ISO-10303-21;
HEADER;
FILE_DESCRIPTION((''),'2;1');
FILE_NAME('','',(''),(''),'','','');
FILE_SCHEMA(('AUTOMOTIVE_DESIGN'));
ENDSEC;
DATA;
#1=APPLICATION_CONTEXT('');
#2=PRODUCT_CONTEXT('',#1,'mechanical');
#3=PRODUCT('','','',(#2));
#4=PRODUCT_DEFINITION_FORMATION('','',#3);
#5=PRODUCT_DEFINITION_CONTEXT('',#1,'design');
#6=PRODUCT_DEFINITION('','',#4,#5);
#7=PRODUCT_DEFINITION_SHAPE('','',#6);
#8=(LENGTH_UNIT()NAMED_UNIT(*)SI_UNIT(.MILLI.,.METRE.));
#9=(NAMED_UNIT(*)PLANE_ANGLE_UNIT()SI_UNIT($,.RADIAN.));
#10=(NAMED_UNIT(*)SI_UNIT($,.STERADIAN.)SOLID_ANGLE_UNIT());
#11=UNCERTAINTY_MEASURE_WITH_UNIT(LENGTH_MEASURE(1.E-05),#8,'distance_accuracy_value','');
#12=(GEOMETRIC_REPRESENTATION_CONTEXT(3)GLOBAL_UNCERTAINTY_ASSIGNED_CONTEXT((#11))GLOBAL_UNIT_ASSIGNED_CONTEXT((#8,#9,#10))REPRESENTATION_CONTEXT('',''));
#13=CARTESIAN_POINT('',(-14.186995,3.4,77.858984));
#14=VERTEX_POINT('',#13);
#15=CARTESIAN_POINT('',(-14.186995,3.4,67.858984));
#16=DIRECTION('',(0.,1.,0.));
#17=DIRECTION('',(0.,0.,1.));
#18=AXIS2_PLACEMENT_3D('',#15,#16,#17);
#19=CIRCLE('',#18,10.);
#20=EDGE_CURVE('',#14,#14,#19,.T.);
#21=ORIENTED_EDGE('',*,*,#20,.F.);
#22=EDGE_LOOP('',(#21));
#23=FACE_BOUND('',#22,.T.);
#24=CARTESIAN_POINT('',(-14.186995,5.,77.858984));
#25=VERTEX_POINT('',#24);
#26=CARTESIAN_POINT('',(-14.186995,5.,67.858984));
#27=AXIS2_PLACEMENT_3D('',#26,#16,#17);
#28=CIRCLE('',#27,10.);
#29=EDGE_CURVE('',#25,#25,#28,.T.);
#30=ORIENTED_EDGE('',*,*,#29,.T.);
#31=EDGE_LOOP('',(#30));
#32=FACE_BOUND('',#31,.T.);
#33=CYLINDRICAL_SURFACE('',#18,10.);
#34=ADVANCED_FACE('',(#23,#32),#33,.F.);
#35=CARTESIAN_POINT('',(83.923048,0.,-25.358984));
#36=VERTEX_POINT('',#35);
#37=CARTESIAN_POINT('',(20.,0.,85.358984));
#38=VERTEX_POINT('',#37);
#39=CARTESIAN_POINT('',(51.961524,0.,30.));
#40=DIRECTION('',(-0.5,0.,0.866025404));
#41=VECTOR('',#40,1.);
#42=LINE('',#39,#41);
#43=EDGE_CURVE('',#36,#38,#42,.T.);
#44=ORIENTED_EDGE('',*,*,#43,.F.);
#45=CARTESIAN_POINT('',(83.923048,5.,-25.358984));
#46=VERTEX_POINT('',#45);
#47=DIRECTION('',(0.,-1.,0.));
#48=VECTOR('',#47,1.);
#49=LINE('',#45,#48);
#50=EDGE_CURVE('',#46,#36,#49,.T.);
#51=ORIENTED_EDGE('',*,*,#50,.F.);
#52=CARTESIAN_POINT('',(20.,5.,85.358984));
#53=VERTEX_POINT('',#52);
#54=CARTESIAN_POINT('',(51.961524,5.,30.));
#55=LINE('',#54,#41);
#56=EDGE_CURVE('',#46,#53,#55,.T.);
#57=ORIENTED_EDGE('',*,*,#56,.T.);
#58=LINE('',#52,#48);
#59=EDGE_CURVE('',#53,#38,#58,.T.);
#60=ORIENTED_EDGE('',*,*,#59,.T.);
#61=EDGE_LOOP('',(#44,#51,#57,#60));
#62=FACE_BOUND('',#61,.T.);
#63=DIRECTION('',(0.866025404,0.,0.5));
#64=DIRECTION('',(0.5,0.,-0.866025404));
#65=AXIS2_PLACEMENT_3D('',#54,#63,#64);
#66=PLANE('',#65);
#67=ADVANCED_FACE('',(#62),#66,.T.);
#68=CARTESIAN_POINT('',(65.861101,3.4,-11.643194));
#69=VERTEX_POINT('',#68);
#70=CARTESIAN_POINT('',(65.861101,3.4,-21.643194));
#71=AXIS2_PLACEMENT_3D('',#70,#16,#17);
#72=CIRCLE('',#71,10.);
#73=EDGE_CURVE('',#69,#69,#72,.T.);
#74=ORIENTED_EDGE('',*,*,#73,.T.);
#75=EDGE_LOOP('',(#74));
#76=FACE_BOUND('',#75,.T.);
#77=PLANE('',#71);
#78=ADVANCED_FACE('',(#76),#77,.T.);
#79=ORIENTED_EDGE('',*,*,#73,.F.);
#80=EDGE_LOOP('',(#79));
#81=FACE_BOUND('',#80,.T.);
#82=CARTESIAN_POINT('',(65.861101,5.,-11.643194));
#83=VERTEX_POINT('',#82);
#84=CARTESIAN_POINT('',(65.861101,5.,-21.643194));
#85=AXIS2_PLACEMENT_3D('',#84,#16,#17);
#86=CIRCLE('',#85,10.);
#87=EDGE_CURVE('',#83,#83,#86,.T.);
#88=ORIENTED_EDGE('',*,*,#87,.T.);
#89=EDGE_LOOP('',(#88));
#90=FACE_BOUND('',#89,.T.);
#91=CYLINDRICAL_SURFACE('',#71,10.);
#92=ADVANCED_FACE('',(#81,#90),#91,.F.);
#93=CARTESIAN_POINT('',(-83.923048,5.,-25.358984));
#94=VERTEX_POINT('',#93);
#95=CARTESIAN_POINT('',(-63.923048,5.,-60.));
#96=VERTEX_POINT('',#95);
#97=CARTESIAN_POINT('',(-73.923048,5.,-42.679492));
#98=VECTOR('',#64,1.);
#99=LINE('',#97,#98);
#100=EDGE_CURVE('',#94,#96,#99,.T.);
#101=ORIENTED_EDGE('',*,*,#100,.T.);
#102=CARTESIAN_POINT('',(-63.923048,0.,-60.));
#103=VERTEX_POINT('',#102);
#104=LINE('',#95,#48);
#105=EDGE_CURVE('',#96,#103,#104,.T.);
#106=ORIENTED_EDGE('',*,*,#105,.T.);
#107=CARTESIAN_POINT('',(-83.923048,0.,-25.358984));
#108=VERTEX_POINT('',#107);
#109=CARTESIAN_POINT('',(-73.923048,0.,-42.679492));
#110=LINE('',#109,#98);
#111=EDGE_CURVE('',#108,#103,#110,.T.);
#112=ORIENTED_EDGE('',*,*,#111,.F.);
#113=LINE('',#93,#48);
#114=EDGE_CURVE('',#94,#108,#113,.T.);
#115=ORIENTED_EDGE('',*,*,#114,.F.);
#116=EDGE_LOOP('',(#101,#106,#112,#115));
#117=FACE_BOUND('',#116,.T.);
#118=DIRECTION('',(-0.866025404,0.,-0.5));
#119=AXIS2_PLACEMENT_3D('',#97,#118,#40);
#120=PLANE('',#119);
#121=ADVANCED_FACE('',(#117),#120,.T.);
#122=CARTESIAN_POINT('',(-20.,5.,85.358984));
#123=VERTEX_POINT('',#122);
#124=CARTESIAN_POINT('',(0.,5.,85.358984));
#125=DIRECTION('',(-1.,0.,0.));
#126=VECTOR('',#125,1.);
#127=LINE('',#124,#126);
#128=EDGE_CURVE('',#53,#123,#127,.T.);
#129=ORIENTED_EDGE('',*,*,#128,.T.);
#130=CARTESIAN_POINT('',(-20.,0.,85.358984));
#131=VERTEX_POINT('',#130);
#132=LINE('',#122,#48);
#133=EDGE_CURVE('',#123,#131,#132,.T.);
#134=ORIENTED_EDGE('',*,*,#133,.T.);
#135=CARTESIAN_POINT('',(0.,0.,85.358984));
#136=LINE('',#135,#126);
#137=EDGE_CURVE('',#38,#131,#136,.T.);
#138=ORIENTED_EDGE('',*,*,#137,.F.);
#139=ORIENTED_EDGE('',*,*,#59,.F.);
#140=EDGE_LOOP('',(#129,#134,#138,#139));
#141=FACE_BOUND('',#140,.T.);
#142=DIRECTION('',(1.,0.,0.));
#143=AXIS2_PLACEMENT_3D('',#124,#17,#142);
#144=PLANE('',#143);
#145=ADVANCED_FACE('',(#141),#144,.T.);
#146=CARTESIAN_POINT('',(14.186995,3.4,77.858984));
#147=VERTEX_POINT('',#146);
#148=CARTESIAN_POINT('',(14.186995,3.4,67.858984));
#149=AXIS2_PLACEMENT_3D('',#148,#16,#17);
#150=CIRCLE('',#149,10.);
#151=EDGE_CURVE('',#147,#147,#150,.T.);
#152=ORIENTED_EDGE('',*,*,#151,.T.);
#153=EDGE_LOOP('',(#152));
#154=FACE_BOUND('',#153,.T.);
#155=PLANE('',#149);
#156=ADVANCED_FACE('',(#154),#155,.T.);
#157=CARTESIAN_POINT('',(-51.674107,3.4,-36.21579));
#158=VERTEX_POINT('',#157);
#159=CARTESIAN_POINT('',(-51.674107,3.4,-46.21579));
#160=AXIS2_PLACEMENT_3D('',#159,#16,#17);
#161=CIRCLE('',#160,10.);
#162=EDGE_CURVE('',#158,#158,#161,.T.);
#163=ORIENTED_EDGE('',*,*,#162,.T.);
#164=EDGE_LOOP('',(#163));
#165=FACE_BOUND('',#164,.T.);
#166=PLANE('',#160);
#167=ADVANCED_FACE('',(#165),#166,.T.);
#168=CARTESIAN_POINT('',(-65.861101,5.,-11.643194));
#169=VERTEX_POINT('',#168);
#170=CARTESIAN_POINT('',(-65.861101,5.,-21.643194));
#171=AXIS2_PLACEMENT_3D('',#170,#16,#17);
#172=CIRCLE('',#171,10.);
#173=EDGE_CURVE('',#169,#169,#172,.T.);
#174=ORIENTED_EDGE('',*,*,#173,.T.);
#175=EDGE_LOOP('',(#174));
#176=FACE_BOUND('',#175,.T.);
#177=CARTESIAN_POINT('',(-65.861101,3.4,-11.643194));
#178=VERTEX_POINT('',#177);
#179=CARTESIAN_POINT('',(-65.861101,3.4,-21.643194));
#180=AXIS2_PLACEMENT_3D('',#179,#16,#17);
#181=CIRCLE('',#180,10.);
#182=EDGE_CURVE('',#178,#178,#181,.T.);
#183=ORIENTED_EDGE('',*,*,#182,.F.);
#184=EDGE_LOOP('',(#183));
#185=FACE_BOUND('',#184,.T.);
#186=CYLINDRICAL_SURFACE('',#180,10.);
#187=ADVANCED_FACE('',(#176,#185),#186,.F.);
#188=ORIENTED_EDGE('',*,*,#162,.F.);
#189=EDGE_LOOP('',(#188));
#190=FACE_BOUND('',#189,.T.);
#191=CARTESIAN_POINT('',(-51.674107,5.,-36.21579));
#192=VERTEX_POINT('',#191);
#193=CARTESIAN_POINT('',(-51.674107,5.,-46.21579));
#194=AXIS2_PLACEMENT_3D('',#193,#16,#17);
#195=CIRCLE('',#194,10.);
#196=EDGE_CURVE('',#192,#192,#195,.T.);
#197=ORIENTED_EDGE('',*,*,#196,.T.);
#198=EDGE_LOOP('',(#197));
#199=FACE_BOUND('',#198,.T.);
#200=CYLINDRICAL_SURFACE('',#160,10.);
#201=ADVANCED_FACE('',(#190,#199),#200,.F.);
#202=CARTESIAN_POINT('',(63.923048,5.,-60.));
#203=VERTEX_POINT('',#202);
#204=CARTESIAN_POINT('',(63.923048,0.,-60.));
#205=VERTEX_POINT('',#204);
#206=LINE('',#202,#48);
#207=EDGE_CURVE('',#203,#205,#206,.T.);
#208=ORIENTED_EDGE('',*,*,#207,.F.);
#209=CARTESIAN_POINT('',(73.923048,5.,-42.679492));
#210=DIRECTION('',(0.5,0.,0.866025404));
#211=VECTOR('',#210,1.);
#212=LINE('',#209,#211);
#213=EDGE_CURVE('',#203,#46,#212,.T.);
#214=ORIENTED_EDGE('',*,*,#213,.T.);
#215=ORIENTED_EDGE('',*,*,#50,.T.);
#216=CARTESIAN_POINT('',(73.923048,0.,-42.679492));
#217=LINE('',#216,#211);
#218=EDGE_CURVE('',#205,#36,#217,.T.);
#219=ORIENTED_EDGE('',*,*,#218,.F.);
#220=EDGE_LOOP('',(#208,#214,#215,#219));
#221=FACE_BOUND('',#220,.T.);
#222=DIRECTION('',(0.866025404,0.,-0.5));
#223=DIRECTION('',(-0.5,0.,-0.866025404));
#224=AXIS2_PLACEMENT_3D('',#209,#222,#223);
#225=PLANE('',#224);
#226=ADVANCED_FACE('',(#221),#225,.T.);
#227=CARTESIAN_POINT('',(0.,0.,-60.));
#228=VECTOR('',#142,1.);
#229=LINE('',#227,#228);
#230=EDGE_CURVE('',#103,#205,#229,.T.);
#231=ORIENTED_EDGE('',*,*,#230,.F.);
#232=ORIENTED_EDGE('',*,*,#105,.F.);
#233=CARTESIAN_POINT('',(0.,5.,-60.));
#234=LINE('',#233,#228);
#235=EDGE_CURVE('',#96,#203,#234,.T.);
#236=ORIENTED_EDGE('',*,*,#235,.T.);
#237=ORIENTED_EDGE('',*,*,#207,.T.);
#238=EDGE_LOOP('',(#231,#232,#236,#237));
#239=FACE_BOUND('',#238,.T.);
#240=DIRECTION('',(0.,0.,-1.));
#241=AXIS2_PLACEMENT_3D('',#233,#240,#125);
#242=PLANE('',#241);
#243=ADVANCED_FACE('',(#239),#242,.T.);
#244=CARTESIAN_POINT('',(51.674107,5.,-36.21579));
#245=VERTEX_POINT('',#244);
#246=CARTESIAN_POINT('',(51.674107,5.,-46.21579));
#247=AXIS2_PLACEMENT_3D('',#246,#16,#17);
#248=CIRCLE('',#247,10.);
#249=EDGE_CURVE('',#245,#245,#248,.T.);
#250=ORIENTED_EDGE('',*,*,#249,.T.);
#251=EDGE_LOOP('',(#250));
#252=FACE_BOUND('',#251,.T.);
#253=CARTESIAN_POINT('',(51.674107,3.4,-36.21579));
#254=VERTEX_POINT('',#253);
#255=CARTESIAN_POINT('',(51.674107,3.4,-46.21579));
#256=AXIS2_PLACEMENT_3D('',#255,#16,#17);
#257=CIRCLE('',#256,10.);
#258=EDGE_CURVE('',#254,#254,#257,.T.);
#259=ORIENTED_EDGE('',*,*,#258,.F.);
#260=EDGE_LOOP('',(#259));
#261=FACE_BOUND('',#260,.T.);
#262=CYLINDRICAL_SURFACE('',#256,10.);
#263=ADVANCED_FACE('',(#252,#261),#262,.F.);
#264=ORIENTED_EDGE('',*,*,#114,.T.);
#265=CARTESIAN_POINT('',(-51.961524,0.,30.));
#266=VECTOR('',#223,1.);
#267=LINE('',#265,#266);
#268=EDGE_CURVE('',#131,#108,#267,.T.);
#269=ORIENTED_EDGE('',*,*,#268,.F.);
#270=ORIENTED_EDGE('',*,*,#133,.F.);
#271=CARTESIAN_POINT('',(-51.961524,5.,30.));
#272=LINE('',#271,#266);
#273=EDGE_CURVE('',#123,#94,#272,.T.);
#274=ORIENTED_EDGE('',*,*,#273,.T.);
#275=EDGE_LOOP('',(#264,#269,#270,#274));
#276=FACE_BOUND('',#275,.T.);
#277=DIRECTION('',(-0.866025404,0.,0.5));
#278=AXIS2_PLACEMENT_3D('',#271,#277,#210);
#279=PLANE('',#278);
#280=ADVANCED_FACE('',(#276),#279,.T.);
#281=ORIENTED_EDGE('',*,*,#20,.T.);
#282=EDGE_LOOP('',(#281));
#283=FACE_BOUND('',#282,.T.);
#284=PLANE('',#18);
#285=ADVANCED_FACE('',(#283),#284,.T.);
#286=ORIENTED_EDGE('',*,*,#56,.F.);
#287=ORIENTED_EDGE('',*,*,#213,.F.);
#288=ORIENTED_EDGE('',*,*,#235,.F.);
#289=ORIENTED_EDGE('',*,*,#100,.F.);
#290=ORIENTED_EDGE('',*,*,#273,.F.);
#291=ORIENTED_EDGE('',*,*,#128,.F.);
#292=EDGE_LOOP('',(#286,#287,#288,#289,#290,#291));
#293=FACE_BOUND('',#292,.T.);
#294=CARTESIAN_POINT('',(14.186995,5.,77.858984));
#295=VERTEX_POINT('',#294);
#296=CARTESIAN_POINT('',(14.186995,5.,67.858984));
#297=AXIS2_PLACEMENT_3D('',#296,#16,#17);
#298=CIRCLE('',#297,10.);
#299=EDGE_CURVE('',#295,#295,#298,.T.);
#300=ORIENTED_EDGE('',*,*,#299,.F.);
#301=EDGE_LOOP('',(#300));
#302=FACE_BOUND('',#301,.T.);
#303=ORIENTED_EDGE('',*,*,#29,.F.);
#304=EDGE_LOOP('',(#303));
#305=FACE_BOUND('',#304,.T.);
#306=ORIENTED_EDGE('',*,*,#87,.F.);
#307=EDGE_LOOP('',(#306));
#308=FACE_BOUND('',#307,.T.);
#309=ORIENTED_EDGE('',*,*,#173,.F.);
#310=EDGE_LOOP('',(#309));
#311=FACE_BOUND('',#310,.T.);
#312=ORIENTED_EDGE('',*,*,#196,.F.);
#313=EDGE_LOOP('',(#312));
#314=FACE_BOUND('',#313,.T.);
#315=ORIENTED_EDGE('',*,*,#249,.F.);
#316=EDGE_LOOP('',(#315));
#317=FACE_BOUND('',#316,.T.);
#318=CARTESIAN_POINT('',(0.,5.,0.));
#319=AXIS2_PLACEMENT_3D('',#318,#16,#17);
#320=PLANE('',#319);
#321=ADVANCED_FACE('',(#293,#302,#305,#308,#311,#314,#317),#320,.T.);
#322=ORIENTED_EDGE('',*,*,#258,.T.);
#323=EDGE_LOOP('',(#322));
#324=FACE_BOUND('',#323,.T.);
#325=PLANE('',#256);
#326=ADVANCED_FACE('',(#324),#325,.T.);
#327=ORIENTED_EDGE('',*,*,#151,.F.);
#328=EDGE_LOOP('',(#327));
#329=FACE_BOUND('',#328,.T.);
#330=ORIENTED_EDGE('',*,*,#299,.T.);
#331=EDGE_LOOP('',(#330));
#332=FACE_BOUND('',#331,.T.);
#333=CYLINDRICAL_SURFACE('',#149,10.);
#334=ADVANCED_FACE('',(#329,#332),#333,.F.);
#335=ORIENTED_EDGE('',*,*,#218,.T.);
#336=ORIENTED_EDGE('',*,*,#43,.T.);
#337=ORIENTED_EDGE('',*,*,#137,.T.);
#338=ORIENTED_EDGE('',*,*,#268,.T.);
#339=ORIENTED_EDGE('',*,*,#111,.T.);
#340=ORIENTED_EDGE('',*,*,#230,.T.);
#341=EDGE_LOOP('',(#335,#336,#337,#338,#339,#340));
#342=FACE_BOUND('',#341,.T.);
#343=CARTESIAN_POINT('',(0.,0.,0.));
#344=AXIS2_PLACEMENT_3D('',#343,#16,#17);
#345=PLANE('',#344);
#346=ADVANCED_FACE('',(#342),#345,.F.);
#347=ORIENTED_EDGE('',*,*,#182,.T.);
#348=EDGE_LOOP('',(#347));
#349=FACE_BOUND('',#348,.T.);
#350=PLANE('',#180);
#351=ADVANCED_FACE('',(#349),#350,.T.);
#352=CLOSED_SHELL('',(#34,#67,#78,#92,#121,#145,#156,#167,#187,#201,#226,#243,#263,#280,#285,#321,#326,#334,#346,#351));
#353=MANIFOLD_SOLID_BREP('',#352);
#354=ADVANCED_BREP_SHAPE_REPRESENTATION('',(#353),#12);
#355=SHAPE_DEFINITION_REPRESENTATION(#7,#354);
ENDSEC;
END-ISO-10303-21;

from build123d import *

# Parameters (mm, degrees)
BOSS_EXTRUDE1_DEPTH = 5
CUT_EXTRUDE4_START  = 5
SKETCH1_5_R         = 10
CUT_EXTRUDE4_DEPTH  = 1.6
CIRPATTERN1_COUNT   = 3


with BuildPart() as part:
    # Sketch1 → Boss-Extrude1 (new body)
    with BuildSketch(Plane(origin=(0, 0, 0), x_dir=(1, 0, 0), z_dir=(0, 1, 0))):
        Polygon((20, -85.358983849), (83.923048454, 25.358983849), (63.923048454, 60), (-63.923048454, 60), (-83.923048454, 25.358983849), (-20, -85.358983849), align=None)
    extrude(amount=BOSS_EXTRUDE1_DEPTH)

    # Sketch1<5> → Cut-Extrude4 (cut)
    with BuildSketch(Plane(origin=(0, 0, 0), x_dir=(1, 0, 0), z_dir=(0, 1, 0)).offset(CUT_EXTRUDE4_START)):
        with Locations(Location((-14.186994533, -67.858983849, 0), (0, 0, 270))):
            Circle(SKETCH1_5_R)
        with Locations(Location((14.186994533, -67.858983849, 0), (0, 0, 270))):
            Circle(SKETCH1_5_R)
    cut_extrude4 = extrude(amount=-CUT_EXTRUDE4_DEPTH, mode=Mode.SUBTRACT)

    # CirPattern1: Cut-Extrude4 ×3 about axis
    cirpattern1_axis = Axis((0, 0, 0), (0, 1, 0))
    for i in range(1, CIRPATTERN1_COUNT):
        add(cut_extrude4.rotate(cirpattern1_axis, i * 360 / CIRPATTERN1_COUNT), mode=Mode.SUBTRACT)


solid = part.part
